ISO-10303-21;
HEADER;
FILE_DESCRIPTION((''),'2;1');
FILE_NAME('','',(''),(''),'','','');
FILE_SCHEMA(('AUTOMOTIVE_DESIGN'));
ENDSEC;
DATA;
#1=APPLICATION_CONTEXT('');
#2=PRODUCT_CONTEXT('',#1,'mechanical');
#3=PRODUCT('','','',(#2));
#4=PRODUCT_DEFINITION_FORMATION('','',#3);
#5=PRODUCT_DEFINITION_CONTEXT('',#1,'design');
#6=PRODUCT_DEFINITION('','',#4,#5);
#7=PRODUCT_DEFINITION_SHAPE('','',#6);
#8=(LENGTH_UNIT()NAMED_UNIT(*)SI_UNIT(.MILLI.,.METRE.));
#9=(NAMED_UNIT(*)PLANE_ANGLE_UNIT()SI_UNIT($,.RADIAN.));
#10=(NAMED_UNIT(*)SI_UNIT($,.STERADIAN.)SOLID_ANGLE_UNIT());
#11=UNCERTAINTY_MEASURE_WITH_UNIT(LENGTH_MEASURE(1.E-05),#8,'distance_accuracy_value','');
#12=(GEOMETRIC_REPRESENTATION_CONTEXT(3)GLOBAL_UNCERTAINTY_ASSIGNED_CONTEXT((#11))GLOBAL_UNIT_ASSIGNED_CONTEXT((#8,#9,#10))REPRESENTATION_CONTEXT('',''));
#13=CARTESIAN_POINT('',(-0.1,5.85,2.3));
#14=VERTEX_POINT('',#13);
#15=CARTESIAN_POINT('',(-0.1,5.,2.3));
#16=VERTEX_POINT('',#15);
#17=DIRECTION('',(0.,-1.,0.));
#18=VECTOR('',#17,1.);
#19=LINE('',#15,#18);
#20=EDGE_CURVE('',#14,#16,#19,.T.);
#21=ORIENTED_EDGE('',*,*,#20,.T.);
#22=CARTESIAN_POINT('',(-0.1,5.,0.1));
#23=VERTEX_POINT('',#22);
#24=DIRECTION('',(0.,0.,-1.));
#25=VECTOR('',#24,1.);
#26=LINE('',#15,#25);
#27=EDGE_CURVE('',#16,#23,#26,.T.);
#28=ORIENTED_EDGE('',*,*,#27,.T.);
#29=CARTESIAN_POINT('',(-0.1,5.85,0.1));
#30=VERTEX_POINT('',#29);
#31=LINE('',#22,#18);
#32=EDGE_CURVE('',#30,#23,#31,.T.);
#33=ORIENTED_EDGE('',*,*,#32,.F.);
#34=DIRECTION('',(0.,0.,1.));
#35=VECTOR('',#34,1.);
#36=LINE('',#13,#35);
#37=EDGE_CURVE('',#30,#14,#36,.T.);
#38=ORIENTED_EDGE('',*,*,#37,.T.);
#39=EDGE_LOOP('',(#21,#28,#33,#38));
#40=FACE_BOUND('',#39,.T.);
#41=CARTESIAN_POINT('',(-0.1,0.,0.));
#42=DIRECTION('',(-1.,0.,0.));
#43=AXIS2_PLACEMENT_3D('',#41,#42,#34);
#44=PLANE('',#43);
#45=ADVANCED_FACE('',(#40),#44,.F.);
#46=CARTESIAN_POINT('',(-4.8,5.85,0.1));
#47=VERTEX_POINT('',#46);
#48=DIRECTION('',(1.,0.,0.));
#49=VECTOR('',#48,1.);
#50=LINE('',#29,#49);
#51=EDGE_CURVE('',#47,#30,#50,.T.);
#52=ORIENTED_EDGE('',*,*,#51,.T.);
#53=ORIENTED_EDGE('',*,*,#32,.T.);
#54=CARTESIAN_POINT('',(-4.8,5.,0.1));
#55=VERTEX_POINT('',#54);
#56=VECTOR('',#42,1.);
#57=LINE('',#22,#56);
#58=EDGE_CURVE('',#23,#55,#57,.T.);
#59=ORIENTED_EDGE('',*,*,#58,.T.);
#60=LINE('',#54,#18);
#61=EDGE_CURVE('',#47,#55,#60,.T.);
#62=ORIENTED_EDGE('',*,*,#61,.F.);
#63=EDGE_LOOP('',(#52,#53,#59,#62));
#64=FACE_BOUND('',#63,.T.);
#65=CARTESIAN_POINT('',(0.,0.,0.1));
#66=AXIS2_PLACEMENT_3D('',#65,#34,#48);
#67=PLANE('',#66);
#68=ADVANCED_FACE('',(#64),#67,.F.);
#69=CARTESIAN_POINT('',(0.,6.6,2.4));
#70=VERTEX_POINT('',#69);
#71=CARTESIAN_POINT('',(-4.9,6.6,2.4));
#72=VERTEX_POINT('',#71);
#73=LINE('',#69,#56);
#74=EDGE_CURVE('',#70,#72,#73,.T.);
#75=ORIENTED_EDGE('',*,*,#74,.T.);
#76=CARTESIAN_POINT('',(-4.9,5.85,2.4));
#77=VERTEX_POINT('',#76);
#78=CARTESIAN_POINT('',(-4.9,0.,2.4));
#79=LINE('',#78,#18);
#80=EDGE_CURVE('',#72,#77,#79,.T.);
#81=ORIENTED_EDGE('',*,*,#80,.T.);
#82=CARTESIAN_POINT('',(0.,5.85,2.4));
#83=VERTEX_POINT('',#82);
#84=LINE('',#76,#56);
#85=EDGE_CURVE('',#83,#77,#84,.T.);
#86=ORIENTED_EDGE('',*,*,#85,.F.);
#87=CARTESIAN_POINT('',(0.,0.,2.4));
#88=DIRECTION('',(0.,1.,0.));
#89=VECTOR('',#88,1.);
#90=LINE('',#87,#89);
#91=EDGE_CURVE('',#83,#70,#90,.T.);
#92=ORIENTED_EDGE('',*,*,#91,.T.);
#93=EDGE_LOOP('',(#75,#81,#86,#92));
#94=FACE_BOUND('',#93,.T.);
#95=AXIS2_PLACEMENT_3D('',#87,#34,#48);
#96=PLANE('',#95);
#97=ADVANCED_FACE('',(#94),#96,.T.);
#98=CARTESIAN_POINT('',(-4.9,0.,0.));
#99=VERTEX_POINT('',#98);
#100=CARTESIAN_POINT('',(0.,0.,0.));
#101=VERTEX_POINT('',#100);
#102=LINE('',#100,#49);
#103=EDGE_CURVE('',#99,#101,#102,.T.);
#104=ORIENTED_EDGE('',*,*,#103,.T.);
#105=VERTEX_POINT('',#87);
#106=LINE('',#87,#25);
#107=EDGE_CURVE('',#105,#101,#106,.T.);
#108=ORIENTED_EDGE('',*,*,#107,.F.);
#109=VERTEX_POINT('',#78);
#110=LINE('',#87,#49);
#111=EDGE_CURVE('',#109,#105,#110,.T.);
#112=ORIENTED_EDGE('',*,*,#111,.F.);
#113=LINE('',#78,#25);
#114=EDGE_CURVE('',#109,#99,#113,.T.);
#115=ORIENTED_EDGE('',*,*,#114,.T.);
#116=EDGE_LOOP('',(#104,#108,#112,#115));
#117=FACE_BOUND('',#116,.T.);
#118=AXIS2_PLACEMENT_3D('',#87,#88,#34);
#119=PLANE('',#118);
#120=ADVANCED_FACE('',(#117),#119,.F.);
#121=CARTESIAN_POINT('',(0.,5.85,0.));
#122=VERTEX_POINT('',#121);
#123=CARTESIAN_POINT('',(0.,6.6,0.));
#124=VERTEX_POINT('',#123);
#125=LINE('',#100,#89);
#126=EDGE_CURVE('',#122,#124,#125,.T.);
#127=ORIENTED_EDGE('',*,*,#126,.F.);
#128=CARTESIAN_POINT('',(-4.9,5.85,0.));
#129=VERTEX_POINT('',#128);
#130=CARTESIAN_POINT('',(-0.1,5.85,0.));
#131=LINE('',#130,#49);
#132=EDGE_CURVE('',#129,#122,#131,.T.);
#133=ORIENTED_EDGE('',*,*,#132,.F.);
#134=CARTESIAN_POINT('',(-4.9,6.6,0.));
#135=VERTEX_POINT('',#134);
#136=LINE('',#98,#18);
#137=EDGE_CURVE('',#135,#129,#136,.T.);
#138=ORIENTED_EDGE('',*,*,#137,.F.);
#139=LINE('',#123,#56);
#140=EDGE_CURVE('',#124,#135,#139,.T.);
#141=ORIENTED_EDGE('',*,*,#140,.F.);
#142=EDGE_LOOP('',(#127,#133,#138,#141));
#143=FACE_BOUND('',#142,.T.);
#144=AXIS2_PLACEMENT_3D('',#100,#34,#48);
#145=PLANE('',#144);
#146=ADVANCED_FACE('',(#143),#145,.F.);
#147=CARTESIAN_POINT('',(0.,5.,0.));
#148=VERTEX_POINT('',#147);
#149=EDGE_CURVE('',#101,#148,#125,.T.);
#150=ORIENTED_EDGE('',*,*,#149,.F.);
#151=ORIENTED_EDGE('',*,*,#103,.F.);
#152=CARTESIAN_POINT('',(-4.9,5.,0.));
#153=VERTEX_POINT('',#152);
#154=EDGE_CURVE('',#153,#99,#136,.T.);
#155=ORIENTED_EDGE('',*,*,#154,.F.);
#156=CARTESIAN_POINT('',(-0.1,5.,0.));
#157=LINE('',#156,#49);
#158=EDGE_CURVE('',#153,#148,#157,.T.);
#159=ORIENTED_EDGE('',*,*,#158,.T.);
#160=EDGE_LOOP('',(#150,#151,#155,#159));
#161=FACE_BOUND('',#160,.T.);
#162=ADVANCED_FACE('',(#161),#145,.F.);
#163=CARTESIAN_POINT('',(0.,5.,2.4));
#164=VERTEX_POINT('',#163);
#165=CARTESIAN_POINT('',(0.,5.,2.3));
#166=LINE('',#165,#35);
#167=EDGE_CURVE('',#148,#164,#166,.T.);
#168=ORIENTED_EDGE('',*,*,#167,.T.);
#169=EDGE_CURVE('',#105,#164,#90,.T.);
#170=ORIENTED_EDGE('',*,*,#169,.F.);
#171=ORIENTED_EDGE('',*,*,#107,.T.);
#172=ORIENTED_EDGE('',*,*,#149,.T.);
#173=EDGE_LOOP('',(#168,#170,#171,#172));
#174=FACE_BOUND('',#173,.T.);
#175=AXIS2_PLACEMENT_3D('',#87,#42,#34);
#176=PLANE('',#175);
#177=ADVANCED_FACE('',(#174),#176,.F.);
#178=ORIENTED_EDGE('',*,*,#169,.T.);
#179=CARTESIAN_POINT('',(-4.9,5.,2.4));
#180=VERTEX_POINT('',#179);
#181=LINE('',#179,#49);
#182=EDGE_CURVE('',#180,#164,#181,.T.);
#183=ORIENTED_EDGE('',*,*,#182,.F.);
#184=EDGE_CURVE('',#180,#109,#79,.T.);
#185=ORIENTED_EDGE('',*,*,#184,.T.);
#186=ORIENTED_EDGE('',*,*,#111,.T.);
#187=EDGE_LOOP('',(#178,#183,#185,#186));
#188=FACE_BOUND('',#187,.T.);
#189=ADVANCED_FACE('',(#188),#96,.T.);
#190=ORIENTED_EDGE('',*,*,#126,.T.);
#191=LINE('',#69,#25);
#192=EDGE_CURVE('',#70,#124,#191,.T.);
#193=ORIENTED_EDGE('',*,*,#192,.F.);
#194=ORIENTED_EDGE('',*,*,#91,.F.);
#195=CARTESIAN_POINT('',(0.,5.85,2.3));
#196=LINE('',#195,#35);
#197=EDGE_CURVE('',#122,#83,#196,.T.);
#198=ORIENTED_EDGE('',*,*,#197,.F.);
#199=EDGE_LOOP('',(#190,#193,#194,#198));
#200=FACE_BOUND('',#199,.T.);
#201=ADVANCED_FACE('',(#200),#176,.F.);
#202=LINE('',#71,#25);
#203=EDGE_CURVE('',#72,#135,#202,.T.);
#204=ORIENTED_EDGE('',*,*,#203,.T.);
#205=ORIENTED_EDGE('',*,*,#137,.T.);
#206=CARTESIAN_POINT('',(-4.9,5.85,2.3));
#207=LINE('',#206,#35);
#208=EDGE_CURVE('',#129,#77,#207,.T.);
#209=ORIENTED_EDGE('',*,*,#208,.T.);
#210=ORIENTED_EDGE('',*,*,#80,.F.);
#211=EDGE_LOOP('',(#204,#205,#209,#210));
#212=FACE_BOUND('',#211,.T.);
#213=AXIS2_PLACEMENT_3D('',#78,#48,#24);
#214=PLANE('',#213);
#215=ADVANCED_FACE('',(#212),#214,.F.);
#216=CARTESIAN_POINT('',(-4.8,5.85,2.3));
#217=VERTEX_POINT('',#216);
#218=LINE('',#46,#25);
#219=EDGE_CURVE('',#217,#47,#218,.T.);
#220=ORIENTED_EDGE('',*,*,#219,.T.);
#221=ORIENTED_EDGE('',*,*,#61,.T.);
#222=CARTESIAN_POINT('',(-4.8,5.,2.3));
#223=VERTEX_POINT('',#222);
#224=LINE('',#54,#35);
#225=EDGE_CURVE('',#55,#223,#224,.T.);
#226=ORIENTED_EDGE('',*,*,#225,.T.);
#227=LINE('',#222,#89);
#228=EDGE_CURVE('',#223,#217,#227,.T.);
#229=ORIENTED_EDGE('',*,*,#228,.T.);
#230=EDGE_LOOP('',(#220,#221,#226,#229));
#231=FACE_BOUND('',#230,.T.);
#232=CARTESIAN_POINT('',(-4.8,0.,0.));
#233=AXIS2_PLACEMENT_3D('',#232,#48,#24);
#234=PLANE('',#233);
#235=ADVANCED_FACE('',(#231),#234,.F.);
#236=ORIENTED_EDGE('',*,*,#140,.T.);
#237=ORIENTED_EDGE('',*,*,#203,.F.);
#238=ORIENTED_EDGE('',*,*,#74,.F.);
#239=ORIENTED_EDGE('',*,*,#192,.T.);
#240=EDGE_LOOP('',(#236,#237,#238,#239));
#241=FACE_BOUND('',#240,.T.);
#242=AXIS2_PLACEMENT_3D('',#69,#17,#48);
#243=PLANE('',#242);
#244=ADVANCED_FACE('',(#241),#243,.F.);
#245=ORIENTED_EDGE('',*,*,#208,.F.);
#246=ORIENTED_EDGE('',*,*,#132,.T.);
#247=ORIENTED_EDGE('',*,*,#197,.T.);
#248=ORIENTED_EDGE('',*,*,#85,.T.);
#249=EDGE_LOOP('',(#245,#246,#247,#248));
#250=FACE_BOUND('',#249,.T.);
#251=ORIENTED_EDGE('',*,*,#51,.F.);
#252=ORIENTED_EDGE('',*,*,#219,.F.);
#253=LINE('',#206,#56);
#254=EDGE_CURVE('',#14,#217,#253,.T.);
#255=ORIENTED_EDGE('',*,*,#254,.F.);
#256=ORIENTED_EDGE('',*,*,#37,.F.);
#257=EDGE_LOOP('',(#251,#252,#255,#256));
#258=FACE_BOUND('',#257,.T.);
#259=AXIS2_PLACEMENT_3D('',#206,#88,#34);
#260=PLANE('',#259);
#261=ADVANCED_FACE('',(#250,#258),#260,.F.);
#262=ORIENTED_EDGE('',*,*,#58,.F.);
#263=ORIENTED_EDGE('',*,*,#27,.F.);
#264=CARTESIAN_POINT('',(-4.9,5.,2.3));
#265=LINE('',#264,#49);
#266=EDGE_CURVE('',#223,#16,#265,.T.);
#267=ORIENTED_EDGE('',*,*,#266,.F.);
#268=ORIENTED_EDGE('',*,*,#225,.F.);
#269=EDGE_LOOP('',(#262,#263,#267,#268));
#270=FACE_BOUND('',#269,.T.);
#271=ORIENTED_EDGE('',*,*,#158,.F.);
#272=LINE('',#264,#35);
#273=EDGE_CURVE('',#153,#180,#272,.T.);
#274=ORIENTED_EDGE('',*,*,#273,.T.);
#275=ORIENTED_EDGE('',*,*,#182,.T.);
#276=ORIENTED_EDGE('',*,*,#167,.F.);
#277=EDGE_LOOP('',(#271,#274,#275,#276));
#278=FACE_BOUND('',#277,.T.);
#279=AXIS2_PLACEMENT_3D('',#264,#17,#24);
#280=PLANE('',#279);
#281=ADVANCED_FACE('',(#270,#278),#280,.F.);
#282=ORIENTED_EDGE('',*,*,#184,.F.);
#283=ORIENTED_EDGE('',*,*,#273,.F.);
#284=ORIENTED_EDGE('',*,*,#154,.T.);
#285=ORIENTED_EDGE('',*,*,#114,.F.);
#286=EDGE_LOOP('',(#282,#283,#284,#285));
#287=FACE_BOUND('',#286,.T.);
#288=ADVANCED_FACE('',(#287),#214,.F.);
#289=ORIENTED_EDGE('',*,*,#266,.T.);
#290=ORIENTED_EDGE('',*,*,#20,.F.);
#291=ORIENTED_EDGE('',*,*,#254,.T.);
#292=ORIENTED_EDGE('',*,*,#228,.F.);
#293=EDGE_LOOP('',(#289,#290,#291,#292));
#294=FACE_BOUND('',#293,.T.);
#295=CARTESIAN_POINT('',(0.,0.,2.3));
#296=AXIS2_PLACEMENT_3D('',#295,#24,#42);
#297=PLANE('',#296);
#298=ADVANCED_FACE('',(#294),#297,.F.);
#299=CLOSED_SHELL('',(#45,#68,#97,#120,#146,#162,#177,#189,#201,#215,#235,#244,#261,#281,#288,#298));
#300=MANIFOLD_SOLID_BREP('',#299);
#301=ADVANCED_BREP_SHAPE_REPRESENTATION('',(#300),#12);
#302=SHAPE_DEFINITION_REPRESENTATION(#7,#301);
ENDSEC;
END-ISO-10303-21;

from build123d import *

# Parameters (mm, degrees)
SKICA1_W                 = 4.9
SKICA1_H                 = 6.6
P_IDAT_VYSUNUT_M1_DEPTH  = 2.4
SKICA2_W                 = 4.9
SKICA2_H                 = 0.85
ODEBRAT_VYSUNUT_M1_DEPTH = 0.1
SKICA3_W                 = 2.3
SKICA3_H                 = 0.85
ODEBRAT_VYSUNUT_M2_DEPTH = 0.1
SKICA4_W                 = 4.8
SKICA4_H                 = 0.85
ODEBRAT_VYSUNUT_M3_DEPTH = 0.1
SKICA5_W                 = 2.2
SKICA5_H                 = 0.85
ODEBRAT_VYSUNUT_M4_DEPTH = 0.1


with BuildPart() as part:
    # Skica1 → Přidat vysunutím1 (new body)
    with BuildSketch(Plane.XY):
        with Locations((-2.45, 3.3)):
            Rectangle(SKICA1_W, SKICA1_H)
    extrude(amount=P_IDAT_VYSUNUT_M1_DEPTH)

    # Skica2 → Odebrat vysunutím1 (cut)
    with BuildSketch(Plane.XY.offset(2.4)):
        with Locations((-2.45, 5.425)):
            Rectangle(SKICA2_W, SKICA2_H)
    extrude(amount=-ODEBRAT_VYSUNUT_M1_DEPTH, mode=Mode.SUBTRACT)

    # Skica3 → Odebrat vysunutím2 (cut)
    with BuildSketch(Plane(origin=(0, 0, 0), x_dir=(0, 0, -1), z_dir=(1, 0, 0))):
        with Locations((-1.15, 5.425)):
            Rectangle(SKICA3_W, SKICA3_H)
    extrude(amount=-ODEBRAT_VYSUNUT_M2_DEPTH, mode=Mode.SUBTRACT)

    # Skica4 → Odebrat vysunutím3 (cut)
    with BuildSketch(Plane(origin=(0, 0, 0), x_dir=(-1, 0, 0), z_dir=(0, 0, -1))):
        with Locations((2.5, 5.425)):
            Rectangle(SKICA4_W, SKICA4_H)
    extrude(amount=-ODEBRAT_VYSUNUT_M3_DEPTH, mode=Mode.SUBTRACT)

    # Skica5 → Odebrat vysunutím4 (cut)
    with BuildSketch(Plane.ZY.offset(4.9)):
        with Locations((1.2, 5.425)):
            Rectangle(SKICA5_W, SKICA5_H)
    extrude(amount=-ODEBRAT_VYSUNUT_M4_DEPTH, mode=Mode.SUBTRACT)


solid = part.part
